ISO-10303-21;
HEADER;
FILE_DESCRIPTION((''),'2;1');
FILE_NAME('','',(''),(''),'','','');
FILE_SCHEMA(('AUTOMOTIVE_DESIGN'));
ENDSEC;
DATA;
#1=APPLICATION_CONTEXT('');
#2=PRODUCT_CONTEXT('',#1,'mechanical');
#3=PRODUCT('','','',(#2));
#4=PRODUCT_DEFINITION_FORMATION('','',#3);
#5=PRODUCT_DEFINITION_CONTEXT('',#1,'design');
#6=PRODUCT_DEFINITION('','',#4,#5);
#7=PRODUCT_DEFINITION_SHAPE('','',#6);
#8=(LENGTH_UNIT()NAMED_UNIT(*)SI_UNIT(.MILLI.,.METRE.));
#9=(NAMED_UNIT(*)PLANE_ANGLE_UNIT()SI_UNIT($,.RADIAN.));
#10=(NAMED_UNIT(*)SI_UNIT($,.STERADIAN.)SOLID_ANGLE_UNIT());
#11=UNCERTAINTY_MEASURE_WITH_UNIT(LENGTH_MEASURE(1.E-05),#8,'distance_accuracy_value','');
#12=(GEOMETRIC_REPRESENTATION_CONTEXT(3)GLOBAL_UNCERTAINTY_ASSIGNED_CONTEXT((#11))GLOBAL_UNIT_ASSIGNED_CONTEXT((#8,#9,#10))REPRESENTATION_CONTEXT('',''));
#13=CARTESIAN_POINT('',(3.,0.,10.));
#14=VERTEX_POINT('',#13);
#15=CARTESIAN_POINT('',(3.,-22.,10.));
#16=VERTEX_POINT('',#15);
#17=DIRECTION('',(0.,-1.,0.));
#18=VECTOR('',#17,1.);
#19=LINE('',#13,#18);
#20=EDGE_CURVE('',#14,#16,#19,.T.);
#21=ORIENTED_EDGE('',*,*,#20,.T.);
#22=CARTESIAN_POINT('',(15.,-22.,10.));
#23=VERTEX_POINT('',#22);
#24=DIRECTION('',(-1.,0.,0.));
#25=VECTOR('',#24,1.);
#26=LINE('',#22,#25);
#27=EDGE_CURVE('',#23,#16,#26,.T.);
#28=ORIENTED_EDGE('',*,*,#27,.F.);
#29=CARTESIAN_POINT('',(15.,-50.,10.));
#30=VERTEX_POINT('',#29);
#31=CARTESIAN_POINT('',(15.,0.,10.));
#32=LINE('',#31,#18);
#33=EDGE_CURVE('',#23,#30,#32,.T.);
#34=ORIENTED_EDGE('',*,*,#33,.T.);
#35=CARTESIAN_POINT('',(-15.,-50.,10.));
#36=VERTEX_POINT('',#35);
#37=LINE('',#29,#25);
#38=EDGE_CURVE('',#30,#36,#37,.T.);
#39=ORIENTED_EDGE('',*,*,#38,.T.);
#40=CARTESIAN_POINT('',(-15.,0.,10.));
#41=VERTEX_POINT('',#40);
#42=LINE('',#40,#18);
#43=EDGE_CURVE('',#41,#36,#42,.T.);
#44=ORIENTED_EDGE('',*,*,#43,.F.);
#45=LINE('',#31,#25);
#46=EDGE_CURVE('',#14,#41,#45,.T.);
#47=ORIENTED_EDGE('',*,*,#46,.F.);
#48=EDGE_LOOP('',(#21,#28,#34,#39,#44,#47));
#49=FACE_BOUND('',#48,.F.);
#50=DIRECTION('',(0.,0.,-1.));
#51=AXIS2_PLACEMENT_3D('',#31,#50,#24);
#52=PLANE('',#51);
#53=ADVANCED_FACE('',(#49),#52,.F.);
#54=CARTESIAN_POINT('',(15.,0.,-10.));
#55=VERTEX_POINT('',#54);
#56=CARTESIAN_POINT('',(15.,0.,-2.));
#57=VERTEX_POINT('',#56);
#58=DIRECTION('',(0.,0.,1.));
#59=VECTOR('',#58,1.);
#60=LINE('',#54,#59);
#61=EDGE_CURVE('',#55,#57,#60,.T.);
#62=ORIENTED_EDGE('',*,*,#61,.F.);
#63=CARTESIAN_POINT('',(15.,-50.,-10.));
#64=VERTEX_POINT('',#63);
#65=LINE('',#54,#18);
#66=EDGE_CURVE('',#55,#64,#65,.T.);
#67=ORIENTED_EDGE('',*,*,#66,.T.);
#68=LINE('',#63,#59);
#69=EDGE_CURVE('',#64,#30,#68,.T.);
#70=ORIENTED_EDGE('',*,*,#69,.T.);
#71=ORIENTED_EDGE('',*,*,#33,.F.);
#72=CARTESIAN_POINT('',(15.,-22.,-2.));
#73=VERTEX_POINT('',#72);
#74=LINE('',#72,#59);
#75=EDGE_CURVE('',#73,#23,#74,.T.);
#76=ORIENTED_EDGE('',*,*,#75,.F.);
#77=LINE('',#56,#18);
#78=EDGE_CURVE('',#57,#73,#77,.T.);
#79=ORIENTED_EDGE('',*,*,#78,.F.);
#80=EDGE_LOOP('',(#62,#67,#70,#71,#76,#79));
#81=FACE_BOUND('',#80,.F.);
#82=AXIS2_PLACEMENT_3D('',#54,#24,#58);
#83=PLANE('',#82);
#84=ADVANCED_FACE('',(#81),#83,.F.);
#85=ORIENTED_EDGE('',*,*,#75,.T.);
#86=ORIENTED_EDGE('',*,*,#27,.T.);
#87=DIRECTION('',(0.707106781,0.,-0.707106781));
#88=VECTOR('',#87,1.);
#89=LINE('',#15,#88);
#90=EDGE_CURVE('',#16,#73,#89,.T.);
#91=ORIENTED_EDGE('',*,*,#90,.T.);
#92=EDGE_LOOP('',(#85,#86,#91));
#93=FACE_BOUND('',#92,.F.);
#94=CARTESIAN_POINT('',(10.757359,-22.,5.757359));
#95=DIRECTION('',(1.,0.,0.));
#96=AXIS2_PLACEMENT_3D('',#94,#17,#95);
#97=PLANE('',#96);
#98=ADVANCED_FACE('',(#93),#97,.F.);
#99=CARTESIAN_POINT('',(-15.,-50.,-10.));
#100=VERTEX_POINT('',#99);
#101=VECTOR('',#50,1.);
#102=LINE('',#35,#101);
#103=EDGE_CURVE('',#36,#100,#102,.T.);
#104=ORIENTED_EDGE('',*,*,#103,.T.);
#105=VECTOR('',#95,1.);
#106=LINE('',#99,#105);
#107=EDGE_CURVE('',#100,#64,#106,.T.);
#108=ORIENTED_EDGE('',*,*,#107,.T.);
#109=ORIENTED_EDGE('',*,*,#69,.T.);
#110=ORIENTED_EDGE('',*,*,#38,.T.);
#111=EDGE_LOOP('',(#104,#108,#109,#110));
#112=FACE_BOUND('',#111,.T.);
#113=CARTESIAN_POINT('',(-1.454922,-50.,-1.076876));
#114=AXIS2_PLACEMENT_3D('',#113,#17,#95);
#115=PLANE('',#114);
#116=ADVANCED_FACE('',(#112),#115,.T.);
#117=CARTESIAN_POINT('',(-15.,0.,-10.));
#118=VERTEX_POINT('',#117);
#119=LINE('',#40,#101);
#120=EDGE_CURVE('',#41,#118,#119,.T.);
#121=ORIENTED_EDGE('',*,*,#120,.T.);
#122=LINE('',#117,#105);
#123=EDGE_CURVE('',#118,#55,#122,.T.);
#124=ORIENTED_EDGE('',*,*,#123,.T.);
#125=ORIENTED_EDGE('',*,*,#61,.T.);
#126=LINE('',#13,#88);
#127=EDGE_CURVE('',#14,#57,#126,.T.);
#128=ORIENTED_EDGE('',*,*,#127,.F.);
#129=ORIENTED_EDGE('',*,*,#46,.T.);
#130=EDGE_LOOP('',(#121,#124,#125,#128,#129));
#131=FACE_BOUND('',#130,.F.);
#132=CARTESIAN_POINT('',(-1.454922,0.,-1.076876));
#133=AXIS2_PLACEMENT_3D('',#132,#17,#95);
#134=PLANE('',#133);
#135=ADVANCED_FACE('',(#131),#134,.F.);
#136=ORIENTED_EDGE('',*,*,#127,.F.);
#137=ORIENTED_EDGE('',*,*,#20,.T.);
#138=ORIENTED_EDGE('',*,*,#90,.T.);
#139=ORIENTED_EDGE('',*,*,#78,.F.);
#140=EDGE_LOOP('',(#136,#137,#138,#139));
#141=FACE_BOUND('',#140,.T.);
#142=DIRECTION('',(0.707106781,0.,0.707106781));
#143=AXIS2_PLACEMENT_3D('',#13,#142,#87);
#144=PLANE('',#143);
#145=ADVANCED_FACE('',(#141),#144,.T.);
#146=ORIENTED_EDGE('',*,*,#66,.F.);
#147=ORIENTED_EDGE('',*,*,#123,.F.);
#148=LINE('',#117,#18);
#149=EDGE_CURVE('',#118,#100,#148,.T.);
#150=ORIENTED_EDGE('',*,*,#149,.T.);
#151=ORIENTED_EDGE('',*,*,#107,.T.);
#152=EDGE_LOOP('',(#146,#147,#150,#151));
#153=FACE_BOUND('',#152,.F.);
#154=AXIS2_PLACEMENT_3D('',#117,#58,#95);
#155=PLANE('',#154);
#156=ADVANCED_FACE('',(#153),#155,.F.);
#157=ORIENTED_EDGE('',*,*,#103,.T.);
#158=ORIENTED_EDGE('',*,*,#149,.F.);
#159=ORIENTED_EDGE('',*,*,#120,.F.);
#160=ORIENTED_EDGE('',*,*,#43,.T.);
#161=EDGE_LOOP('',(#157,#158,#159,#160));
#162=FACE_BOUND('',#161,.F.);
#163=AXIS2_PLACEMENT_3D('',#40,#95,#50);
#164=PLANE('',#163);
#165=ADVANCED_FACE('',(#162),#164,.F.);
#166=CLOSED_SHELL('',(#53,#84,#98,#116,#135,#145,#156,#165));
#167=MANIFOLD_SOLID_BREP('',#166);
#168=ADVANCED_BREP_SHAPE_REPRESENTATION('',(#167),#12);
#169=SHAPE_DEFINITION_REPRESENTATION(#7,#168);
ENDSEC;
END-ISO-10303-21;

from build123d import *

# Parameters (mm, degrees)
F1_DEPTH = 50
F2_DEPTH = 22


with BuildPart() as f1:
    # F0 (on Front) → F1 (new body)
    with BuildSketch(Plane.XZ):
        Polygon((-15, -10), (15, -10), (15, -2), (3, 10), (-15, 10), align=None)
        Polygon((3, 10), (15, -2), (15, 10), align=None)
    extrude(amount=F1_DEPTH)

    # F0 (on Front) → F2 (cut)
    with BuildSketch(Plane.XZ):
        Polygon((3, 10), (15, -2), (15, 10), align=None)
    extrude(amount=F2_DEPTH, mode=Mode.SUBTRACT)


solid = f1.part
